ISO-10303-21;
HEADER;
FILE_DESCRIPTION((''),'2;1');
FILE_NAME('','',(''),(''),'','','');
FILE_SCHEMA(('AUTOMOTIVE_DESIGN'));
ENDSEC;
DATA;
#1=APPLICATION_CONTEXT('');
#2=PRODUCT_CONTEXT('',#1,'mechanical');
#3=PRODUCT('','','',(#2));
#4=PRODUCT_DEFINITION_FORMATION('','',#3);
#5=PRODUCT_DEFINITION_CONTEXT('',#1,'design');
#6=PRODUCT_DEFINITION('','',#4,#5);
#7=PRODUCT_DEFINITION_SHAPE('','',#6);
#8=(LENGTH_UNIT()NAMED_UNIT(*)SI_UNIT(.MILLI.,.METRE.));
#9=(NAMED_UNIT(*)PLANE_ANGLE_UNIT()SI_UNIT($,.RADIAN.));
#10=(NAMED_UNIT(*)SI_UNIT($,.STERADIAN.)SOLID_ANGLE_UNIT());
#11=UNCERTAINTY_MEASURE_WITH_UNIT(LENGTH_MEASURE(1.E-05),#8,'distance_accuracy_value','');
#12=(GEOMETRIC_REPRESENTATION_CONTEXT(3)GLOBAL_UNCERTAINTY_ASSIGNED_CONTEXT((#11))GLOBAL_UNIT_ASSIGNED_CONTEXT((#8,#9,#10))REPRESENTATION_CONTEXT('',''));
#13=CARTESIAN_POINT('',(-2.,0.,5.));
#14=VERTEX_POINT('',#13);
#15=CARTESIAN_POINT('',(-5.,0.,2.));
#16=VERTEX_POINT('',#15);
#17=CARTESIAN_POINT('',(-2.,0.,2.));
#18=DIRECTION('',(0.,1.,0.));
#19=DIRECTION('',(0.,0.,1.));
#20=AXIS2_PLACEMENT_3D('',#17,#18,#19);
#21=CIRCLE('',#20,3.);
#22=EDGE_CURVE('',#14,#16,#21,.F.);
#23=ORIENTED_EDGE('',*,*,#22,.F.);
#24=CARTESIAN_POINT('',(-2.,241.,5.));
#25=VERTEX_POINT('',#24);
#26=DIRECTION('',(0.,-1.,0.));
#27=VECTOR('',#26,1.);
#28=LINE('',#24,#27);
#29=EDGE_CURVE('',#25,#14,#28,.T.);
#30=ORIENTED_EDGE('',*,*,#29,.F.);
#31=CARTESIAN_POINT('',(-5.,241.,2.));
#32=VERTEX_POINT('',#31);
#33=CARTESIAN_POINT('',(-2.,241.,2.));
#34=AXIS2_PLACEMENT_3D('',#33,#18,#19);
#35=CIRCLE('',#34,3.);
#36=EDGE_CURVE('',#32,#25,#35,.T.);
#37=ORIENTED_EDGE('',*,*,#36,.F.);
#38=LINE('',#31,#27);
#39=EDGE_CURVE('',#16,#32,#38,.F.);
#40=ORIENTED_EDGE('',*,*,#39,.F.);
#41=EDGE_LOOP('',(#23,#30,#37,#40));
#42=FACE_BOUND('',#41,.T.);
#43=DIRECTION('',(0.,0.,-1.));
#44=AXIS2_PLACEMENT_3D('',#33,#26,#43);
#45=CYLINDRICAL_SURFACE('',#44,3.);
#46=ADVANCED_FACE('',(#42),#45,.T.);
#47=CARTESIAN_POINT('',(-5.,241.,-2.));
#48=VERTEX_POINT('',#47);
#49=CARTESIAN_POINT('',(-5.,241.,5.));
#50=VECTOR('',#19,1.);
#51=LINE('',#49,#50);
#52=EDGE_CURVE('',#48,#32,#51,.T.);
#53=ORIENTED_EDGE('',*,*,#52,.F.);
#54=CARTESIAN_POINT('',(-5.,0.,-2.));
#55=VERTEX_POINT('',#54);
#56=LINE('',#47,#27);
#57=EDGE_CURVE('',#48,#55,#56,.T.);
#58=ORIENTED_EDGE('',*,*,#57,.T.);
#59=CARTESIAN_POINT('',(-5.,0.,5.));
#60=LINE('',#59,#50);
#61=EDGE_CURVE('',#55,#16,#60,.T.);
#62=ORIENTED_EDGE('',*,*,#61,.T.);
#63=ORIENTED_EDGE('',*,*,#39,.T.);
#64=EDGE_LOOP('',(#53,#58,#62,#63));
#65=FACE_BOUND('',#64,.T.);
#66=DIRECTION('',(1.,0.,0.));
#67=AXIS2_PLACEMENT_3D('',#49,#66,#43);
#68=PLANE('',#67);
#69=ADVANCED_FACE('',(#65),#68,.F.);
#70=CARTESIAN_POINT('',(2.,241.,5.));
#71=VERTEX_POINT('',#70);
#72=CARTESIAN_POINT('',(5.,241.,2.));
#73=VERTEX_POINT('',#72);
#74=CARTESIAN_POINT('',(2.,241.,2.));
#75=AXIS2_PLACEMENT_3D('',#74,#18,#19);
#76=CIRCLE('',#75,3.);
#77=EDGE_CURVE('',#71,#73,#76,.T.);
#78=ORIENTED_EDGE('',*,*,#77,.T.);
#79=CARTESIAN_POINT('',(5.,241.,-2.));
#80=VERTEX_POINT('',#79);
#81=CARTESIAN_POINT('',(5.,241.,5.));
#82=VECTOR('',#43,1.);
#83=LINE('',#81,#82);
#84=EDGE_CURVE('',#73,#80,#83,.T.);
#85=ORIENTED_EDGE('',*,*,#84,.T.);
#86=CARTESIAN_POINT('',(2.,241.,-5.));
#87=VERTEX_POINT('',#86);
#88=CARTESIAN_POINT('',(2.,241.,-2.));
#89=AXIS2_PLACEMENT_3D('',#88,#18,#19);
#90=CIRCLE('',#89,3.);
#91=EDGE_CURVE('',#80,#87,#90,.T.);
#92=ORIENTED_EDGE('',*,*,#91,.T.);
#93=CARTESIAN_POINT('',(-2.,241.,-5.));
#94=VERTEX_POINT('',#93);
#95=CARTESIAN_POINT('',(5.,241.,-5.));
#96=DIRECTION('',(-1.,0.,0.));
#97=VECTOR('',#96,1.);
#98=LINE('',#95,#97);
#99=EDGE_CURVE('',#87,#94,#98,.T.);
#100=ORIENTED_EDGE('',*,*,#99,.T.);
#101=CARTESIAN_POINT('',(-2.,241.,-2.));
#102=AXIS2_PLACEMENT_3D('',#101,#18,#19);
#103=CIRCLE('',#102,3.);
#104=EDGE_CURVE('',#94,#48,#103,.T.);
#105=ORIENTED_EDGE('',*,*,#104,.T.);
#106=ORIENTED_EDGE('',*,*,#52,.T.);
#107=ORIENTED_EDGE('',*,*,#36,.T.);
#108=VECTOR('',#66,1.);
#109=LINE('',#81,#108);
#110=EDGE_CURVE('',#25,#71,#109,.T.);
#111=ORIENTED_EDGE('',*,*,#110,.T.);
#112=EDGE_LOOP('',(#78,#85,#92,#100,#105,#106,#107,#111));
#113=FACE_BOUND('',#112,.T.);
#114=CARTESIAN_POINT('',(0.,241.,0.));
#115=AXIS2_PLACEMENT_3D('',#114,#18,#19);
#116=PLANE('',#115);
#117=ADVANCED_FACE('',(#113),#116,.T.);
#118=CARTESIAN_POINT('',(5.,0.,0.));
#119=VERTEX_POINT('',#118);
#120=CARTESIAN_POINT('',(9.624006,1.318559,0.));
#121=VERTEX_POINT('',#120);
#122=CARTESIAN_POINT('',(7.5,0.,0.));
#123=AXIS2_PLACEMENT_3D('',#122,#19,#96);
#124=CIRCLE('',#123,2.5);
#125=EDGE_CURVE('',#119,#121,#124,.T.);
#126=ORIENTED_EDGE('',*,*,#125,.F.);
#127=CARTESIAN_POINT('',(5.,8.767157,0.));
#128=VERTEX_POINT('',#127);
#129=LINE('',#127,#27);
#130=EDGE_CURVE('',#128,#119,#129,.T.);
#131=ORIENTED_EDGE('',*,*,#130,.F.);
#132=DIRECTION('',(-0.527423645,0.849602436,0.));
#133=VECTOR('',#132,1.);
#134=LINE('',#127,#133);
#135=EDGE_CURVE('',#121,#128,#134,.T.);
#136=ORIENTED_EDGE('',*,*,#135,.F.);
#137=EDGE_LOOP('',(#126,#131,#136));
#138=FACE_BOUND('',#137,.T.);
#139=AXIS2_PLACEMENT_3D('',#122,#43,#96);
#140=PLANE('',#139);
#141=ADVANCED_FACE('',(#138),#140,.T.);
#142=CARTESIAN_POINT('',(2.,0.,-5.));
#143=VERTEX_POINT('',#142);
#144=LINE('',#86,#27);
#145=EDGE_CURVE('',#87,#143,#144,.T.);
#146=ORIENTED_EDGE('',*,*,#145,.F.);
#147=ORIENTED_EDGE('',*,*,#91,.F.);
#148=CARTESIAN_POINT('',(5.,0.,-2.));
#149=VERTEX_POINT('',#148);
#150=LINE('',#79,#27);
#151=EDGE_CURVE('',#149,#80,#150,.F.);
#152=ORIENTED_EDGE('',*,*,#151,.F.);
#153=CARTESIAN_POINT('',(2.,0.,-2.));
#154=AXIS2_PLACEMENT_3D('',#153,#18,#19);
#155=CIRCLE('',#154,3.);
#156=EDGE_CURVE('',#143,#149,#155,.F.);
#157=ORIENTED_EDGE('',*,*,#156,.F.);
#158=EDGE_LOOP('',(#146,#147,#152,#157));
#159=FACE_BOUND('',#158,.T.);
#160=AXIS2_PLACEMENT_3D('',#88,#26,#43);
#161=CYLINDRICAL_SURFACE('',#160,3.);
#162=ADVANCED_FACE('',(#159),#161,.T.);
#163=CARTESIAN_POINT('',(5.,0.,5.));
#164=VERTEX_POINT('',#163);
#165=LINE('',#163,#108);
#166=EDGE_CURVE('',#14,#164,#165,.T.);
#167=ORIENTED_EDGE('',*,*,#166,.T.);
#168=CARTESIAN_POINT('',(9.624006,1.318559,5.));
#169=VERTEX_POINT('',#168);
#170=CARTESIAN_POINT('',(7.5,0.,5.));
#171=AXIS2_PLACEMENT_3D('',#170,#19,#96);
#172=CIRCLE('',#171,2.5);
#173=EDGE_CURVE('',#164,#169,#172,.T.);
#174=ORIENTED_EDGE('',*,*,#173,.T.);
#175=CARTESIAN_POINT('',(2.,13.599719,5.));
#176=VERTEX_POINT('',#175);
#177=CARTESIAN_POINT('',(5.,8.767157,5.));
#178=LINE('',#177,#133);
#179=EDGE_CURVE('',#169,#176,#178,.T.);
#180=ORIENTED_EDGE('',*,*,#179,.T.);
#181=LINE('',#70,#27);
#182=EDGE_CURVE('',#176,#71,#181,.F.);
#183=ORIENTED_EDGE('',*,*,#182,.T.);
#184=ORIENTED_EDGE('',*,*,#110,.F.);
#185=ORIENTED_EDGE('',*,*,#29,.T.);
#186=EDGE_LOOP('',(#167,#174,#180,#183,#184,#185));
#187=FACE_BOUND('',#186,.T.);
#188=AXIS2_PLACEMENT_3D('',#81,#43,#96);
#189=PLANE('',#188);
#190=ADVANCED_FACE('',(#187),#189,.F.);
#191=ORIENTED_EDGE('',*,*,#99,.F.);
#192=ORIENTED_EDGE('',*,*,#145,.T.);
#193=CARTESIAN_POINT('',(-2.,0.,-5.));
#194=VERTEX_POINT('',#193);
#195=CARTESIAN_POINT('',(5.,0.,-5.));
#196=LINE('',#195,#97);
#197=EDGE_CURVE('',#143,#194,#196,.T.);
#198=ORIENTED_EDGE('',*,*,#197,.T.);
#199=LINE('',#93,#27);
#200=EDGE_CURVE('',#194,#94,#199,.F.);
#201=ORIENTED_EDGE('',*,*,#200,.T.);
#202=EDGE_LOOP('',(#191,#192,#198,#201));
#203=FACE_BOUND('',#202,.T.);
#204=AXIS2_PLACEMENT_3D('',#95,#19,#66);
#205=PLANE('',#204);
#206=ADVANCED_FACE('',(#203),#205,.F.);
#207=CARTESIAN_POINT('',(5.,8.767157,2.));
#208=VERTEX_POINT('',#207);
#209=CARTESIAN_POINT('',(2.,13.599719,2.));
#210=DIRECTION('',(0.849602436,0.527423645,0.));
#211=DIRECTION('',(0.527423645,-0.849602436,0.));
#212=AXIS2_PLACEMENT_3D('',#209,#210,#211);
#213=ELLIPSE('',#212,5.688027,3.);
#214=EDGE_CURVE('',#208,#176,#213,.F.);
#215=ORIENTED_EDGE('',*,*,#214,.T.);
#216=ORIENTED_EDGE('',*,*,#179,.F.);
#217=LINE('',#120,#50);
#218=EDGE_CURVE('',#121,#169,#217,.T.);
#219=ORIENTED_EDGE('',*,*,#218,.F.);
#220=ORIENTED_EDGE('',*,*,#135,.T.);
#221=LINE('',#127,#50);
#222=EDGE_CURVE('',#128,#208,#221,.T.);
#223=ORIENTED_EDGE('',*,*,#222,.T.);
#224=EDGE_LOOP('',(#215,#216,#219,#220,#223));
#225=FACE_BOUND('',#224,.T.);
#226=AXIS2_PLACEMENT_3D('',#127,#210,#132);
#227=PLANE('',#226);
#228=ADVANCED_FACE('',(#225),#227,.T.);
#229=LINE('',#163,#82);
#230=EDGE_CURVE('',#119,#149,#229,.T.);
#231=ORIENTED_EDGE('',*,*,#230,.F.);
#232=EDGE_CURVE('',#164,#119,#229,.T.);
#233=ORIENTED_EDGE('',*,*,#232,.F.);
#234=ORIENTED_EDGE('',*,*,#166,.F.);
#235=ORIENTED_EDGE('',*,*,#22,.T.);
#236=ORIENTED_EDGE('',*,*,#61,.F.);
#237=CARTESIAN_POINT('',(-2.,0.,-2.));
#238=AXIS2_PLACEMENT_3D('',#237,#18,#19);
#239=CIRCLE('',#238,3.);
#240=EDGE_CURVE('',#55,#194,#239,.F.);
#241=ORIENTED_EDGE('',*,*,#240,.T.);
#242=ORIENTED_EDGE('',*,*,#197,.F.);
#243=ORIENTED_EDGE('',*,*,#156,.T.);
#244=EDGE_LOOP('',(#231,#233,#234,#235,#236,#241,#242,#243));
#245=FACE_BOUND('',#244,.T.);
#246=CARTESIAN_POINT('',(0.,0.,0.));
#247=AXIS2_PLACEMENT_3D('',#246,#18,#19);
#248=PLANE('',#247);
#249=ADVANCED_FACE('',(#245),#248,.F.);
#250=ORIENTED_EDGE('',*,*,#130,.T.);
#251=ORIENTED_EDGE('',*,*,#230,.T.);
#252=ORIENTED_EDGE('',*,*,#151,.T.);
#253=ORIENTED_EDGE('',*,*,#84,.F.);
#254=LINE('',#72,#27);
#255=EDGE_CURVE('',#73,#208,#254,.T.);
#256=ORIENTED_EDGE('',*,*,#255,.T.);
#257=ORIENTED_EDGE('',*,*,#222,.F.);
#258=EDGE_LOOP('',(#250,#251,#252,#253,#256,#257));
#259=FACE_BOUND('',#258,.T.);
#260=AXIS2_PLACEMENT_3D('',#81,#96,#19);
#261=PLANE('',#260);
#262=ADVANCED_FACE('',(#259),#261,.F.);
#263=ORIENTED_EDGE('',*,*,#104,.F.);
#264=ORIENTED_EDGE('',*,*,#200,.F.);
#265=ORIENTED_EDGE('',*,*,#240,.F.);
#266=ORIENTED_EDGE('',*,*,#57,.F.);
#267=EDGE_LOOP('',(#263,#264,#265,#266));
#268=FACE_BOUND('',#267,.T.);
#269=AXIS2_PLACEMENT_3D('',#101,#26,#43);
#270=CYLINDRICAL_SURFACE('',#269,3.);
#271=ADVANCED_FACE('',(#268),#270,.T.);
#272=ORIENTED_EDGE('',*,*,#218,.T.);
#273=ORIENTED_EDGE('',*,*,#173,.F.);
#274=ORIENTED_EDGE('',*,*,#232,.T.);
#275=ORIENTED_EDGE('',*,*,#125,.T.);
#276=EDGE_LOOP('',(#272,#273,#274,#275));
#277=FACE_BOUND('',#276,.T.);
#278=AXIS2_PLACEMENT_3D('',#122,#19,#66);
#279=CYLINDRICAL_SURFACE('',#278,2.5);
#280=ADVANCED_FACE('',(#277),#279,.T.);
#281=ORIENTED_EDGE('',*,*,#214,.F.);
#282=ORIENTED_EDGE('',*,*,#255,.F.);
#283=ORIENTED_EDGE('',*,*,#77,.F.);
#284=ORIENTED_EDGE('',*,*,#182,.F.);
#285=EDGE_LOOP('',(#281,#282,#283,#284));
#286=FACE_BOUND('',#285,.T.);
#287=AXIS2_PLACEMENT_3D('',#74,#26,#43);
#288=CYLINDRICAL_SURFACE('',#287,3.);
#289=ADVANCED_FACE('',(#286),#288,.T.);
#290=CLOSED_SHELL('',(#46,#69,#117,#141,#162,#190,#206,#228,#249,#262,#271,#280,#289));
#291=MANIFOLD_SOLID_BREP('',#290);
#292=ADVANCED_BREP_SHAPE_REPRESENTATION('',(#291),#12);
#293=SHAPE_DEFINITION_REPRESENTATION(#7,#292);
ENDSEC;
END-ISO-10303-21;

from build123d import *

# Parameters (mm, degrees)
SKETCH3_W           = 10
SKETCH3_H           = 10
BOSS_EXTRUDE3_DEPTH = 241
BOSS_EXTRUDE4_DEPTH = 5
FILLET1_R           = 3


with BuildPart() as part:
    # Sketch3 → Boss-Extrude3 (new body)
    with BuildSketch(Plane(origin=(0, 0, 0), x_dir=(1, 0, 0), z_dir=(0, 1, 0))):
        Rectangle(SKETCH3_W, SKETCH3_H)
    extrude(amount=BOSS_EXTRUDE3_DEPTH)

    # Sketch4 → Boss-Extrude4 (add)
    with BuildSketch(Plane.XY.offset(5)):
        with BuildLine():
            Line((5, 8.767157353), (5, 0))
            ThreePointArc((5, 0), (8.185559909, -2.404164639), (9.624006089, 1.318559113))
            Line((9.624006089, 1.318559113), (5, 8.767157353))
        make_face()
    extrude(amount=-BOSS_EXTRUDE4_DEPTH)

    # Fillet1
    fillet1_edges = [part.edges().sort_by_distance(p)[0] for p in [
        (-5, 120.5, -5),
        (5, 120.5, -5),
        (5, 124.883578677, 5),
        (-5, 120.5, 5),
    ]]
    fillet(fillet1_edges, radius=FILLET1_R)


solid = part.part
